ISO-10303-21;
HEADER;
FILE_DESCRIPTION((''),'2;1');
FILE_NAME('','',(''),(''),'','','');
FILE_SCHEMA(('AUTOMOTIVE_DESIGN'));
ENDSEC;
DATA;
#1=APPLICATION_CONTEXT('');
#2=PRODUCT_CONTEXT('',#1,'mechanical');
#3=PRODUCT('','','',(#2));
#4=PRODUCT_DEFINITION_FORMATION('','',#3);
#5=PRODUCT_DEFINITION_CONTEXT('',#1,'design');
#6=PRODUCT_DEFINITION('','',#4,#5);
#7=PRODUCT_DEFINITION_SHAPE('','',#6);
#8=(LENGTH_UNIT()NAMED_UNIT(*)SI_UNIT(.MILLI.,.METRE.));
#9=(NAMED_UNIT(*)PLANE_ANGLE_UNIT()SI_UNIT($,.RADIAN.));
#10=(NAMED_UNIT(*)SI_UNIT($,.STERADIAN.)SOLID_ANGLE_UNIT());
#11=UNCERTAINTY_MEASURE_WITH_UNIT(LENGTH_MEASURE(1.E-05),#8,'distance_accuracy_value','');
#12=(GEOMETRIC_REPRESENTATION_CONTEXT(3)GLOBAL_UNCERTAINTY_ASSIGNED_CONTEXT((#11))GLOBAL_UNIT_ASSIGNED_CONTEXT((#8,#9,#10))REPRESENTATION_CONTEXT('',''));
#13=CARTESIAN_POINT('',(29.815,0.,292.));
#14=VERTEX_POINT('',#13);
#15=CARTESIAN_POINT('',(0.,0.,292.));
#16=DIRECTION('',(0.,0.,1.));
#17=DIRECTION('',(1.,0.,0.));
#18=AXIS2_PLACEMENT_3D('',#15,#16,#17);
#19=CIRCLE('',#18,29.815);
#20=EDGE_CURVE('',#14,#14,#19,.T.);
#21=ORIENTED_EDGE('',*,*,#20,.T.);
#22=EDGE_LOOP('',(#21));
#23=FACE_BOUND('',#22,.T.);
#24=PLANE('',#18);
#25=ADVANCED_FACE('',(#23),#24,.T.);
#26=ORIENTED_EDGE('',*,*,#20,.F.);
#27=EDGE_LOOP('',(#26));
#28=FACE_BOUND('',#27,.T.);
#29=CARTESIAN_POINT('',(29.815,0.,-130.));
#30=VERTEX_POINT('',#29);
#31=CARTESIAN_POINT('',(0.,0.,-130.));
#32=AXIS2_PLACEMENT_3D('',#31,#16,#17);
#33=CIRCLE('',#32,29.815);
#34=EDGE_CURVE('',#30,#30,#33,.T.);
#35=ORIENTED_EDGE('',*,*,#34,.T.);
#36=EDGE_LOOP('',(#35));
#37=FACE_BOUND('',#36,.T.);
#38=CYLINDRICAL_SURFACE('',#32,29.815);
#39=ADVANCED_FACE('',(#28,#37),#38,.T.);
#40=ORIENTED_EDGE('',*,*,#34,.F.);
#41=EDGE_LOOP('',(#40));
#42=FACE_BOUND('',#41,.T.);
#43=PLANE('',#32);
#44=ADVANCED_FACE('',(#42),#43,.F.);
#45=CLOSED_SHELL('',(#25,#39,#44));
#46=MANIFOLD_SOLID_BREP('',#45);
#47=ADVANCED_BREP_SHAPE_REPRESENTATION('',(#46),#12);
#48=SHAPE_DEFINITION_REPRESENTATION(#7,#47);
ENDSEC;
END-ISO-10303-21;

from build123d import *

# Parameters (mm, degrees)
BOSS_EXTRUDE1_DEPTH      = 292
BOSS_EXTRUDE1_DEPTH_BACK = 130
SKETCH1_R                = 29.815


with BuildPart() as part:
    # Sketch1 → Boss-Extrude1 (new, two sides: drawn at the far end of the back side and taken through both)
    with BuildSketch(Plane.XY.offset(-BOSS_EXTRUDE1_DEPTH_BACK)):
        Circle(SKETCH1_R)
    extrude(amount=BOSS_EXTRUDE1_DEPTH + BOSS_EXTRUDE1_DEPTH_BACK)


solid = part.part
